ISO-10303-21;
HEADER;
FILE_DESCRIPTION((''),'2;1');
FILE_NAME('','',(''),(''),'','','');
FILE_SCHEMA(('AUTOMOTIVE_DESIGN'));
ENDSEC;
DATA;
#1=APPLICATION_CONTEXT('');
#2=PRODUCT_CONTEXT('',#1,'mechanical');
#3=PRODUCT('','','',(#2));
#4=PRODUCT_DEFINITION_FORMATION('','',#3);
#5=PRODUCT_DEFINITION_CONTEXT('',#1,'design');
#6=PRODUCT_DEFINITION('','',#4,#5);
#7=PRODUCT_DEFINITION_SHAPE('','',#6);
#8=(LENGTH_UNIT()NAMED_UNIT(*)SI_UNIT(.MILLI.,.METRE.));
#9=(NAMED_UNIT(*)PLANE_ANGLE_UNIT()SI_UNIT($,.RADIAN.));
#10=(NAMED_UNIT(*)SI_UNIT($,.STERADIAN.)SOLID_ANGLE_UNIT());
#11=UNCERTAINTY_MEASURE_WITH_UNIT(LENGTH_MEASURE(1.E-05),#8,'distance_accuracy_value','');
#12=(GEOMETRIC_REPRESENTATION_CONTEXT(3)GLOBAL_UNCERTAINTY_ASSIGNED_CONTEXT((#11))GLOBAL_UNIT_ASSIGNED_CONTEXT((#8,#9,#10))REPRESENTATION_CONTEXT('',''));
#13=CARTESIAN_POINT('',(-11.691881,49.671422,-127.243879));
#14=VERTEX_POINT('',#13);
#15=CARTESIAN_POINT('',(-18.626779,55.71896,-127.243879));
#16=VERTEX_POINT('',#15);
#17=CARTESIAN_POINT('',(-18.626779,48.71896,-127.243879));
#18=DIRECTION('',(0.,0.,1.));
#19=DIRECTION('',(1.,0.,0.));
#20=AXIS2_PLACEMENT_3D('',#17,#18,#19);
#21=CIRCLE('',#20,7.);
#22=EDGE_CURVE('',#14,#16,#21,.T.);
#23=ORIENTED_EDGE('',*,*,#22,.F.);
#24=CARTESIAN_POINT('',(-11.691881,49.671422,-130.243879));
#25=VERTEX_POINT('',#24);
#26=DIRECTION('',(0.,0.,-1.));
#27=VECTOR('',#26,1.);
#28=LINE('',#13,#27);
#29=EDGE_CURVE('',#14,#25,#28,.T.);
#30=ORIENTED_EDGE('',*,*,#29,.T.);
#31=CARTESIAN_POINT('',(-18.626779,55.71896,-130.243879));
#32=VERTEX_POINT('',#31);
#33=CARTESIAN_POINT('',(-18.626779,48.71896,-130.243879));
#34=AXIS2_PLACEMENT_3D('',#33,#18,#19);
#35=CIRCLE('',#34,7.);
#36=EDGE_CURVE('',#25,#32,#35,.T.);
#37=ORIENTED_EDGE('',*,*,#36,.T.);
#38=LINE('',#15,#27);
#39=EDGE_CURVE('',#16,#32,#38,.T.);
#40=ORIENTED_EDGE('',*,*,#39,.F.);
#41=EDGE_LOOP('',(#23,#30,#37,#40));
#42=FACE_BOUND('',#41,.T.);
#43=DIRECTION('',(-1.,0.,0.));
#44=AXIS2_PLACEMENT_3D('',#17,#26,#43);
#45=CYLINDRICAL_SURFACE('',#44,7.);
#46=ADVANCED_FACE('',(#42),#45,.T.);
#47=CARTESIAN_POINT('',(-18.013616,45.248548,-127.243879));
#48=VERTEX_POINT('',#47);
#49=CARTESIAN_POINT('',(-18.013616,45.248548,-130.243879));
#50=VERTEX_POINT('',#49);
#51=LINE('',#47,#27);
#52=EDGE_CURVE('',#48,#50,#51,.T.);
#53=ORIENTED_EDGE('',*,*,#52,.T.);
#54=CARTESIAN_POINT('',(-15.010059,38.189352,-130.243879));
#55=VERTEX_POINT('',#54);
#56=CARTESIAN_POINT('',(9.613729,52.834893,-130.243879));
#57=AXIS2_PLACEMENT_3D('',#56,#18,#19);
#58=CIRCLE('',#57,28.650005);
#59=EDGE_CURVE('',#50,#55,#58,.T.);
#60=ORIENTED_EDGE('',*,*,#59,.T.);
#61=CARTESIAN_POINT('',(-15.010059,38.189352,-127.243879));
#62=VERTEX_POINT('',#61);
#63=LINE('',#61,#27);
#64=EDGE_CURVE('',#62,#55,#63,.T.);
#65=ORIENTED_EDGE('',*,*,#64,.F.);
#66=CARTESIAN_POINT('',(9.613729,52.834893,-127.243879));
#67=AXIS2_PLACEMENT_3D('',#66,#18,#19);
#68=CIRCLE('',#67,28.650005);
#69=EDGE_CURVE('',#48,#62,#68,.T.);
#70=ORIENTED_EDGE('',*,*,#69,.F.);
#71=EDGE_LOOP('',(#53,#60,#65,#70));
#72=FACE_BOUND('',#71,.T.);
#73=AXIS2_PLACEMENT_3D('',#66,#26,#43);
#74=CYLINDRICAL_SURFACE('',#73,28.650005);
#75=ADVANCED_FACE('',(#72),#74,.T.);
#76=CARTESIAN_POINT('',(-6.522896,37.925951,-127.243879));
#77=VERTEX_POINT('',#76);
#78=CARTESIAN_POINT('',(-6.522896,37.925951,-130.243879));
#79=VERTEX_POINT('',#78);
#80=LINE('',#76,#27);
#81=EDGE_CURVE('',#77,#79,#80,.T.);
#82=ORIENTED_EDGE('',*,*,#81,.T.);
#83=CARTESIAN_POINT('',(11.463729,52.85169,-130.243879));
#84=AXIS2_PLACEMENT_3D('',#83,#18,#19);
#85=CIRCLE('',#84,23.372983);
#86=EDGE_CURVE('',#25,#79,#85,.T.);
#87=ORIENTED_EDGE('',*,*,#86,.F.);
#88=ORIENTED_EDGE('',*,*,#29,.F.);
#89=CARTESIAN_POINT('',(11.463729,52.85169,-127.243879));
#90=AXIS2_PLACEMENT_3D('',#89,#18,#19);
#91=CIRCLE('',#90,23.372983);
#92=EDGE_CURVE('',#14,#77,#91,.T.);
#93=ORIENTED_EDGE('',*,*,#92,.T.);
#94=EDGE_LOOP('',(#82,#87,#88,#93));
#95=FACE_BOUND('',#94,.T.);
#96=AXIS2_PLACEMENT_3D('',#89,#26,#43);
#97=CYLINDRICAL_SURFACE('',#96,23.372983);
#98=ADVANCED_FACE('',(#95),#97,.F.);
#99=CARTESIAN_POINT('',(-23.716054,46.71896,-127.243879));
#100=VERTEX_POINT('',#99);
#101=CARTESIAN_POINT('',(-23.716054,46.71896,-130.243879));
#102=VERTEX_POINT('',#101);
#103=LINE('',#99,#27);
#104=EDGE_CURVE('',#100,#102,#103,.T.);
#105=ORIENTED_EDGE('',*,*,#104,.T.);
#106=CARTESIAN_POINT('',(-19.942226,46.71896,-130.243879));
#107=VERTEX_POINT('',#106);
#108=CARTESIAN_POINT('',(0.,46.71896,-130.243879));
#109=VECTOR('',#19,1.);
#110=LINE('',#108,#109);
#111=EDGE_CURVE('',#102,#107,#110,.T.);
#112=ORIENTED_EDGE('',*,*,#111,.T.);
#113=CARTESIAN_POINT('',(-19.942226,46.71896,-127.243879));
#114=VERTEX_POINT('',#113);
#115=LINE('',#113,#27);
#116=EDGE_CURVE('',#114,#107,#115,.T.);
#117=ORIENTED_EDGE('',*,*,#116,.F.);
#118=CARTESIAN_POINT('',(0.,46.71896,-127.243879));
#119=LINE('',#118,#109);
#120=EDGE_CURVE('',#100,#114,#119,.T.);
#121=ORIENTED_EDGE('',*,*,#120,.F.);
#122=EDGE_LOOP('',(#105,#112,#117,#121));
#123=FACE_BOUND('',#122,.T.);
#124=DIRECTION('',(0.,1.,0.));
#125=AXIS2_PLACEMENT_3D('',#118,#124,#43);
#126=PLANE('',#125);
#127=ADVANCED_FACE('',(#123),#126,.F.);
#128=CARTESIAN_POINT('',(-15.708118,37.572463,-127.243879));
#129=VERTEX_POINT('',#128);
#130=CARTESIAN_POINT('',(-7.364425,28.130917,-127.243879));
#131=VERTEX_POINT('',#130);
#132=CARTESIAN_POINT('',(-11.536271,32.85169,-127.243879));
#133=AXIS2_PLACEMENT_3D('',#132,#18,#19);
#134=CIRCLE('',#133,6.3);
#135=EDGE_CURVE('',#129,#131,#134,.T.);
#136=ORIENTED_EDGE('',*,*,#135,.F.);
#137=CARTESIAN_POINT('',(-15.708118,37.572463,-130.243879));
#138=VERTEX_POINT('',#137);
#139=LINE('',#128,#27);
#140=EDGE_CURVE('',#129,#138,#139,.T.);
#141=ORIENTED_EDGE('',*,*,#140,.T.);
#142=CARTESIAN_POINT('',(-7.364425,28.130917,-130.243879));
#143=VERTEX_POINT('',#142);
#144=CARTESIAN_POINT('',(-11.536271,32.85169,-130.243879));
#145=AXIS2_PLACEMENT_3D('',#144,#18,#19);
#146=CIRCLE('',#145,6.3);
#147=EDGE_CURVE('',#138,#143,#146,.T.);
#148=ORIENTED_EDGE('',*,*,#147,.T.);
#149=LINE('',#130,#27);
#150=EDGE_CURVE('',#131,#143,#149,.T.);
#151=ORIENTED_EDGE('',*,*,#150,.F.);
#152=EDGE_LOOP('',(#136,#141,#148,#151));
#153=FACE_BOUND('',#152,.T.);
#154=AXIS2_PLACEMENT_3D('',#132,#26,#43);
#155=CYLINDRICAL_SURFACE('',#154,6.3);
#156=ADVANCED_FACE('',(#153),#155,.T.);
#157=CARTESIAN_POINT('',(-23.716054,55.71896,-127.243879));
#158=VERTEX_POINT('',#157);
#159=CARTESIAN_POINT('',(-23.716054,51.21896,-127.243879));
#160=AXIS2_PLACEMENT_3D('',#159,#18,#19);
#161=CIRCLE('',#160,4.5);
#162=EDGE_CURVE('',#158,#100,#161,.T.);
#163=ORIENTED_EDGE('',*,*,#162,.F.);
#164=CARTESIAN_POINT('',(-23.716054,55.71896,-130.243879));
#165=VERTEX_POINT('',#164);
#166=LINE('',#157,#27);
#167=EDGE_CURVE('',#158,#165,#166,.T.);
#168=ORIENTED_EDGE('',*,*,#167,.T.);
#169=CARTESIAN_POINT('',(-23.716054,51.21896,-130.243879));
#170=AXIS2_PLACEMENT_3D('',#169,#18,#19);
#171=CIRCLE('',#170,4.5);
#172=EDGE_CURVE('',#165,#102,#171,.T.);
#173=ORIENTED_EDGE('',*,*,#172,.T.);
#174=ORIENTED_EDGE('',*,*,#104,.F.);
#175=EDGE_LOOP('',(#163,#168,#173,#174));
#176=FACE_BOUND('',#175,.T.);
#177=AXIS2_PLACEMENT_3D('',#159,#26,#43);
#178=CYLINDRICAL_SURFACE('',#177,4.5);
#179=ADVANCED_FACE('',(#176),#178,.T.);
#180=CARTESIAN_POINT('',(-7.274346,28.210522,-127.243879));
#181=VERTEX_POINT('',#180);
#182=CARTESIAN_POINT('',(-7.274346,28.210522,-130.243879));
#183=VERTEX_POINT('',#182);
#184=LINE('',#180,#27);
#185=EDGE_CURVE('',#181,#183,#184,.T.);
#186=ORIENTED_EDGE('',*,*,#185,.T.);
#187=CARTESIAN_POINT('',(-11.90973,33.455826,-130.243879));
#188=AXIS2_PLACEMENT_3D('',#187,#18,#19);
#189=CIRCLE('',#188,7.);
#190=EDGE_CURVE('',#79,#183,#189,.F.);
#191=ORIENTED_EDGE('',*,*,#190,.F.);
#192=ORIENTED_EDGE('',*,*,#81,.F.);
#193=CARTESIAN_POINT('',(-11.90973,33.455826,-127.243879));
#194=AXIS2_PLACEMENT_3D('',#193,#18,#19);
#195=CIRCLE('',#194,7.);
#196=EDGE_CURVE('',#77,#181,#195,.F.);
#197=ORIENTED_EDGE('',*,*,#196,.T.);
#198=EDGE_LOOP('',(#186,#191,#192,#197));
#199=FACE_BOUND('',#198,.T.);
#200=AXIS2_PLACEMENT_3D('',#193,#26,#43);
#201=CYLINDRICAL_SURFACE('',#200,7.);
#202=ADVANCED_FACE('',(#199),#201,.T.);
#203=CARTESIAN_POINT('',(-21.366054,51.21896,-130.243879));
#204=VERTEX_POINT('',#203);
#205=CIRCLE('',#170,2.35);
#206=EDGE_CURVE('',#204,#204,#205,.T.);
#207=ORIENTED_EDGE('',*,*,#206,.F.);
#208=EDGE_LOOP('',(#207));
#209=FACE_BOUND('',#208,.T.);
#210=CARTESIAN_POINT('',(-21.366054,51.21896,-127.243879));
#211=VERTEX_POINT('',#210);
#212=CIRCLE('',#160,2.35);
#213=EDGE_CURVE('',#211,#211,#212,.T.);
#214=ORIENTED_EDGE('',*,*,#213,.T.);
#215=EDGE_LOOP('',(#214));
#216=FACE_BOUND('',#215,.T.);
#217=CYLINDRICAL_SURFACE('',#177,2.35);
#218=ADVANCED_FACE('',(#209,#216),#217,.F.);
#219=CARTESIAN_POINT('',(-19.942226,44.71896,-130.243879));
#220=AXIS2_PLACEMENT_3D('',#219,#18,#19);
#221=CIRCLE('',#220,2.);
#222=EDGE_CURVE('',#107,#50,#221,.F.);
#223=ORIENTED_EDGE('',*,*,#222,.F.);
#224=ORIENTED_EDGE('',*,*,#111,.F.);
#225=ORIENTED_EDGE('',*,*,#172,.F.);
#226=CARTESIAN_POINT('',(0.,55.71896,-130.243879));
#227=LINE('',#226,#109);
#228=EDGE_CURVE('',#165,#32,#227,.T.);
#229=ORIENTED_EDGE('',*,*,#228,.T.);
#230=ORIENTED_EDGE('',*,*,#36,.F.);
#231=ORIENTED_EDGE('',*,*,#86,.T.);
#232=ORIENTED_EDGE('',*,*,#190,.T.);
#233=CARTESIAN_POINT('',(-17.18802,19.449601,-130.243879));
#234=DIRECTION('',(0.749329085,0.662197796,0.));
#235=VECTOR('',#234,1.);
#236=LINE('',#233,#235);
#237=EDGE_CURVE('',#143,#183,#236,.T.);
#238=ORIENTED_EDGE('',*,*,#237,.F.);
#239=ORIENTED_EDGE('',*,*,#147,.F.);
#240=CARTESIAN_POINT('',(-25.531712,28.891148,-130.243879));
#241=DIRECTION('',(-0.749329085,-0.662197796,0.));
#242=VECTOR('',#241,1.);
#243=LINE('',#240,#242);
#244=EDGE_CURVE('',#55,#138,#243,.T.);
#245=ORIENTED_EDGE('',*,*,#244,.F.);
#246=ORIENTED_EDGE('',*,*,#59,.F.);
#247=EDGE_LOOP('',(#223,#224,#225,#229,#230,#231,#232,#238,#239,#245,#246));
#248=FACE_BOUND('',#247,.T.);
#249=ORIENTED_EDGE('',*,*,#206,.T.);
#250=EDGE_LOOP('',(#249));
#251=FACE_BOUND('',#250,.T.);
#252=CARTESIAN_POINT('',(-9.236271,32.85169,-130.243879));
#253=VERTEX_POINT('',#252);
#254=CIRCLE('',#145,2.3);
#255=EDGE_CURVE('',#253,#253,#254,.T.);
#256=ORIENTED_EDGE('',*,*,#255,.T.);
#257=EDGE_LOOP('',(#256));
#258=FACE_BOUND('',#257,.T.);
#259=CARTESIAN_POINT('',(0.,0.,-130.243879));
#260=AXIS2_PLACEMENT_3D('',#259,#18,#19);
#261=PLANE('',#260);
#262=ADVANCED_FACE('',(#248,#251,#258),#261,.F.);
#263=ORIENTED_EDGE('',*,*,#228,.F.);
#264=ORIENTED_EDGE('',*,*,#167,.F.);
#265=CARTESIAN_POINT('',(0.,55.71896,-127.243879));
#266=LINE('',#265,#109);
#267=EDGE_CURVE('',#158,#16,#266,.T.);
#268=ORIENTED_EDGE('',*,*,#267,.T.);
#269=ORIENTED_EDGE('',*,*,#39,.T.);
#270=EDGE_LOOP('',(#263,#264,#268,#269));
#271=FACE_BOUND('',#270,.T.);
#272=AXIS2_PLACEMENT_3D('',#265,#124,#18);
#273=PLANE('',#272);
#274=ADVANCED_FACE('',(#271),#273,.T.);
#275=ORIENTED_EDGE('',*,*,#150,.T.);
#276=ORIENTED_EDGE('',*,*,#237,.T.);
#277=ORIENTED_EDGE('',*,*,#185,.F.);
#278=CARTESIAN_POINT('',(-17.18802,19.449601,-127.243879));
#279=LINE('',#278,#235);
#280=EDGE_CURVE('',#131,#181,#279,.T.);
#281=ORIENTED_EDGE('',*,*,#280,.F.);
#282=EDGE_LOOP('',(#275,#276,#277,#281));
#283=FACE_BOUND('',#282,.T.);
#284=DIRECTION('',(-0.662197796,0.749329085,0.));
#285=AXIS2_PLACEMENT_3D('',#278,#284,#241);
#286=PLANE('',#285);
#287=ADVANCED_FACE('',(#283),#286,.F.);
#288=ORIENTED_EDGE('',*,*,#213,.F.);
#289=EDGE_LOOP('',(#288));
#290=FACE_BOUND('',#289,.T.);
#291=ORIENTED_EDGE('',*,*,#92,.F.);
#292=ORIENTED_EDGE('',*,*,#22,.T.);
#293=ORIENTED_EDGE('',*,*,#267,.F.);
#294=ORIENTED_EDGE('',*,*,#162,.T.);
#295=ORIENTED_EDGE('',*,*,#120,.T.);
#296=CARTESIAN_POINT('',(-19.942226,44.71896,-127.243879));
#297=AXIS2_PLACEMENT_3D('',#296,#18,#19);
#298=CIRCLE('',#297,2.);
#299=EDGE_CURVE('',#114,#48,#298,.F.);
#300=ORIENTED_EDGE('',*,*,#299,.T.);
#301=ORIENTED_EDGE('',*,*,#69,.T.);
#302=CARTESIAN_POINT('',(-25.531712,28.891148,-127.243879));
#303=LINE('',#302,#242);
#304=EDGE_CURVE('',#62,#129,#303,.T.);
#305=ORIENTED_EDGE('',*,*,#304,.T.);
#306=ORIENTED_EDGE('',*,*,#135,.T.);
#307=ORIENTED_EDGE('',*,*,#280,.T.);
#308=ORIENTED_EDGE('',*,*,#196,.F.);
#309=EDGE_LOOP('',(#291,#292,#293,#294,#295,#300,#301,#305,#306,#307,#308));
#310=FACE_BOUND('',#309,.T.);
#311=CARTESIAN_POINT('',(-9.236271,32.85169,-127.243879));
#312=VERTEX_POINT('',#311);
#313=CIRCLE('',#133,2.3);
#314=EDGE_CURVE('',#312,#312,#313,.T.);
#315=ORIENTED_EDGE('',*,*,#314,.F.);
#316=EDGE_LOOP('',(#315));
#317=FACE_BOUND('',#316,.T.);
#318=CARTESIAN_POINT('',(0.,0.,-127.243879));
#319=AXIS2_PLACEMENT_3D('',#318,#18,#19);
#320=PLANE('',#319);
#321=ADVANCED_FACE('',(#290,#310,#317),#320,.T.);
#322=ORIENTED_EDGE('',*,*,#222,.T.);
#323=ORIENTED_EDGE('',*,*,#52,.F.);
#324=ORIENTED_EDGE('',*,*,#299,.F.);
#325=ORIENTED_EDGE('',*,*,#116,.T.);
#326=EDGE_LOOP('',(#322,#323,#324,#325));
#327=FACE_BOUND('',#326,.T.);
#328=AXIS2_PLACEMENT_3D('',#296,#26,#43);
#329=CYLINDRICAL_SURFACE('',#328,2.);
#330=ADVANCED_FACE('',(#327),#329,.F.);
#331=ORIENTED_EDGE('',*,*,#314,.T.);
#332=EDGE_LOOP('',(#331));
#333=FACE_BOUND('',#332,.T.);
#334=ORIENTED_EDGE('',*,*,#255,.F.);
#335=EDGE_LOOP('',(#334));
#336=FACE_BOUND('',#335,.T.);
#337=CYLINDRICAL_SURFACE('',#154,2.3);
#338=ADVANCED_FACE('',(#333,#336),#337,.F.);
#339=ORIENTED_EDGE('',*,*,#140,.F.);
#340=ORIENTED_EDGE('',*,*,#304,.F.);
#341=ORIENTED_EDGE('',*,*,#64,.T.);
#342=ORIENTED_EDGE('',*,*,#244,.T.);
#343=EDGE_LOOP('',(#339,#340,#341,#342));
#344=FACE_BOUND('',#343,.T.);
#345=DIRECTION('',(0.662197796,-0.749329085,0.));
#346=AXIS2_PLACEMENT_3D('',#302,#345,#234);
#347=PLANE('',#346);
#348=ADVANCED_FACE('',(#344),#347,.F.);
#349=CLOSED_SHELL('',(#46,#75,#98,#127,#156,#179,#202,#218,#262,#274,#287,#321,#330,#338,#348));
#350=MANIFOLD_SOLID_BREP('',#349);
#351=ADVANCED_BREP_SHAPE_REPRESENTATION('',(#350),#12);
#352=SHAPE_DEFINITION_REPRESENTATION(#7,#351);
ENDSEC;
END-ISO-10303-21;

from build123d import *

# Parameters (mm, degrees)
SKETCH1_R           = 2.35
SKETCH1_R_2         = 2.3
BOSS_EXTRUDE2_DEPTH = 3


with BuildPart() as part:
    # Sketch1 → Boss-Extrude2 (new body)
    with BuildSketch(Plane.XY.offset(-130.24387898)):
        with BuildLine():
            Line((-15.010059364, 38.189351968), (-15.708117617, 37.572463316))
            ThreePointArc((-15.708117617, 37.572463316), (-16.257044738, 28.67984396), (-7.364425381, 28.130916839))
            Line((-7.364425381, 28.130916839), (-7.27434556, 28.210522262))
            ThreePointArc((-7.27434556, 28.210522262), (-4.930575043, 32.916016457), (-6.522896429, 37.925951432))
            ThreePointArc((-6.522896429, 37.925951432), (-9.929258204, 43.436995693), (-11.691880866, 49.671421949))
            ThreePointArc((-11.691880866, 49.671421949), (-14.02608552, 53.994717475), (-18.626779298, 55.718960016))
            Line((-18.626779298, 55.718960016), (-23.716053845, 55.718960016))
            ThreePointArc((-23.716053845, 55.718960016), (-28.216053845, 51.218960016), (-23.716053845, 46.718960016))
            Line((-23.716053845, 46.718960016), (-19.942226175, 46.718960016))
            ThreePointArc((-19.942226175, 46.718960016), (-18.729620599, 46.309427783), (-18.013616093, 45.248547734))
            ThreePointArc((-18.013616093, 45.248547734), (-16.74918621, 41.617962479), (-15.010059364, 38.189351968))
        make_face()
        with Locations((-23.716053845, 51.218960016)):
            Circle(SKETCH1_R, mode=Mode.SUBTRACT)
        with Locations((-11.536271499, 32.851690078)):
            Circle(SKETCH1_R_2, mode=Mode.SUBTRACT)
    extrude(amount=BOSS_EXTRUDE2_DEPTH)


solid = part.part
